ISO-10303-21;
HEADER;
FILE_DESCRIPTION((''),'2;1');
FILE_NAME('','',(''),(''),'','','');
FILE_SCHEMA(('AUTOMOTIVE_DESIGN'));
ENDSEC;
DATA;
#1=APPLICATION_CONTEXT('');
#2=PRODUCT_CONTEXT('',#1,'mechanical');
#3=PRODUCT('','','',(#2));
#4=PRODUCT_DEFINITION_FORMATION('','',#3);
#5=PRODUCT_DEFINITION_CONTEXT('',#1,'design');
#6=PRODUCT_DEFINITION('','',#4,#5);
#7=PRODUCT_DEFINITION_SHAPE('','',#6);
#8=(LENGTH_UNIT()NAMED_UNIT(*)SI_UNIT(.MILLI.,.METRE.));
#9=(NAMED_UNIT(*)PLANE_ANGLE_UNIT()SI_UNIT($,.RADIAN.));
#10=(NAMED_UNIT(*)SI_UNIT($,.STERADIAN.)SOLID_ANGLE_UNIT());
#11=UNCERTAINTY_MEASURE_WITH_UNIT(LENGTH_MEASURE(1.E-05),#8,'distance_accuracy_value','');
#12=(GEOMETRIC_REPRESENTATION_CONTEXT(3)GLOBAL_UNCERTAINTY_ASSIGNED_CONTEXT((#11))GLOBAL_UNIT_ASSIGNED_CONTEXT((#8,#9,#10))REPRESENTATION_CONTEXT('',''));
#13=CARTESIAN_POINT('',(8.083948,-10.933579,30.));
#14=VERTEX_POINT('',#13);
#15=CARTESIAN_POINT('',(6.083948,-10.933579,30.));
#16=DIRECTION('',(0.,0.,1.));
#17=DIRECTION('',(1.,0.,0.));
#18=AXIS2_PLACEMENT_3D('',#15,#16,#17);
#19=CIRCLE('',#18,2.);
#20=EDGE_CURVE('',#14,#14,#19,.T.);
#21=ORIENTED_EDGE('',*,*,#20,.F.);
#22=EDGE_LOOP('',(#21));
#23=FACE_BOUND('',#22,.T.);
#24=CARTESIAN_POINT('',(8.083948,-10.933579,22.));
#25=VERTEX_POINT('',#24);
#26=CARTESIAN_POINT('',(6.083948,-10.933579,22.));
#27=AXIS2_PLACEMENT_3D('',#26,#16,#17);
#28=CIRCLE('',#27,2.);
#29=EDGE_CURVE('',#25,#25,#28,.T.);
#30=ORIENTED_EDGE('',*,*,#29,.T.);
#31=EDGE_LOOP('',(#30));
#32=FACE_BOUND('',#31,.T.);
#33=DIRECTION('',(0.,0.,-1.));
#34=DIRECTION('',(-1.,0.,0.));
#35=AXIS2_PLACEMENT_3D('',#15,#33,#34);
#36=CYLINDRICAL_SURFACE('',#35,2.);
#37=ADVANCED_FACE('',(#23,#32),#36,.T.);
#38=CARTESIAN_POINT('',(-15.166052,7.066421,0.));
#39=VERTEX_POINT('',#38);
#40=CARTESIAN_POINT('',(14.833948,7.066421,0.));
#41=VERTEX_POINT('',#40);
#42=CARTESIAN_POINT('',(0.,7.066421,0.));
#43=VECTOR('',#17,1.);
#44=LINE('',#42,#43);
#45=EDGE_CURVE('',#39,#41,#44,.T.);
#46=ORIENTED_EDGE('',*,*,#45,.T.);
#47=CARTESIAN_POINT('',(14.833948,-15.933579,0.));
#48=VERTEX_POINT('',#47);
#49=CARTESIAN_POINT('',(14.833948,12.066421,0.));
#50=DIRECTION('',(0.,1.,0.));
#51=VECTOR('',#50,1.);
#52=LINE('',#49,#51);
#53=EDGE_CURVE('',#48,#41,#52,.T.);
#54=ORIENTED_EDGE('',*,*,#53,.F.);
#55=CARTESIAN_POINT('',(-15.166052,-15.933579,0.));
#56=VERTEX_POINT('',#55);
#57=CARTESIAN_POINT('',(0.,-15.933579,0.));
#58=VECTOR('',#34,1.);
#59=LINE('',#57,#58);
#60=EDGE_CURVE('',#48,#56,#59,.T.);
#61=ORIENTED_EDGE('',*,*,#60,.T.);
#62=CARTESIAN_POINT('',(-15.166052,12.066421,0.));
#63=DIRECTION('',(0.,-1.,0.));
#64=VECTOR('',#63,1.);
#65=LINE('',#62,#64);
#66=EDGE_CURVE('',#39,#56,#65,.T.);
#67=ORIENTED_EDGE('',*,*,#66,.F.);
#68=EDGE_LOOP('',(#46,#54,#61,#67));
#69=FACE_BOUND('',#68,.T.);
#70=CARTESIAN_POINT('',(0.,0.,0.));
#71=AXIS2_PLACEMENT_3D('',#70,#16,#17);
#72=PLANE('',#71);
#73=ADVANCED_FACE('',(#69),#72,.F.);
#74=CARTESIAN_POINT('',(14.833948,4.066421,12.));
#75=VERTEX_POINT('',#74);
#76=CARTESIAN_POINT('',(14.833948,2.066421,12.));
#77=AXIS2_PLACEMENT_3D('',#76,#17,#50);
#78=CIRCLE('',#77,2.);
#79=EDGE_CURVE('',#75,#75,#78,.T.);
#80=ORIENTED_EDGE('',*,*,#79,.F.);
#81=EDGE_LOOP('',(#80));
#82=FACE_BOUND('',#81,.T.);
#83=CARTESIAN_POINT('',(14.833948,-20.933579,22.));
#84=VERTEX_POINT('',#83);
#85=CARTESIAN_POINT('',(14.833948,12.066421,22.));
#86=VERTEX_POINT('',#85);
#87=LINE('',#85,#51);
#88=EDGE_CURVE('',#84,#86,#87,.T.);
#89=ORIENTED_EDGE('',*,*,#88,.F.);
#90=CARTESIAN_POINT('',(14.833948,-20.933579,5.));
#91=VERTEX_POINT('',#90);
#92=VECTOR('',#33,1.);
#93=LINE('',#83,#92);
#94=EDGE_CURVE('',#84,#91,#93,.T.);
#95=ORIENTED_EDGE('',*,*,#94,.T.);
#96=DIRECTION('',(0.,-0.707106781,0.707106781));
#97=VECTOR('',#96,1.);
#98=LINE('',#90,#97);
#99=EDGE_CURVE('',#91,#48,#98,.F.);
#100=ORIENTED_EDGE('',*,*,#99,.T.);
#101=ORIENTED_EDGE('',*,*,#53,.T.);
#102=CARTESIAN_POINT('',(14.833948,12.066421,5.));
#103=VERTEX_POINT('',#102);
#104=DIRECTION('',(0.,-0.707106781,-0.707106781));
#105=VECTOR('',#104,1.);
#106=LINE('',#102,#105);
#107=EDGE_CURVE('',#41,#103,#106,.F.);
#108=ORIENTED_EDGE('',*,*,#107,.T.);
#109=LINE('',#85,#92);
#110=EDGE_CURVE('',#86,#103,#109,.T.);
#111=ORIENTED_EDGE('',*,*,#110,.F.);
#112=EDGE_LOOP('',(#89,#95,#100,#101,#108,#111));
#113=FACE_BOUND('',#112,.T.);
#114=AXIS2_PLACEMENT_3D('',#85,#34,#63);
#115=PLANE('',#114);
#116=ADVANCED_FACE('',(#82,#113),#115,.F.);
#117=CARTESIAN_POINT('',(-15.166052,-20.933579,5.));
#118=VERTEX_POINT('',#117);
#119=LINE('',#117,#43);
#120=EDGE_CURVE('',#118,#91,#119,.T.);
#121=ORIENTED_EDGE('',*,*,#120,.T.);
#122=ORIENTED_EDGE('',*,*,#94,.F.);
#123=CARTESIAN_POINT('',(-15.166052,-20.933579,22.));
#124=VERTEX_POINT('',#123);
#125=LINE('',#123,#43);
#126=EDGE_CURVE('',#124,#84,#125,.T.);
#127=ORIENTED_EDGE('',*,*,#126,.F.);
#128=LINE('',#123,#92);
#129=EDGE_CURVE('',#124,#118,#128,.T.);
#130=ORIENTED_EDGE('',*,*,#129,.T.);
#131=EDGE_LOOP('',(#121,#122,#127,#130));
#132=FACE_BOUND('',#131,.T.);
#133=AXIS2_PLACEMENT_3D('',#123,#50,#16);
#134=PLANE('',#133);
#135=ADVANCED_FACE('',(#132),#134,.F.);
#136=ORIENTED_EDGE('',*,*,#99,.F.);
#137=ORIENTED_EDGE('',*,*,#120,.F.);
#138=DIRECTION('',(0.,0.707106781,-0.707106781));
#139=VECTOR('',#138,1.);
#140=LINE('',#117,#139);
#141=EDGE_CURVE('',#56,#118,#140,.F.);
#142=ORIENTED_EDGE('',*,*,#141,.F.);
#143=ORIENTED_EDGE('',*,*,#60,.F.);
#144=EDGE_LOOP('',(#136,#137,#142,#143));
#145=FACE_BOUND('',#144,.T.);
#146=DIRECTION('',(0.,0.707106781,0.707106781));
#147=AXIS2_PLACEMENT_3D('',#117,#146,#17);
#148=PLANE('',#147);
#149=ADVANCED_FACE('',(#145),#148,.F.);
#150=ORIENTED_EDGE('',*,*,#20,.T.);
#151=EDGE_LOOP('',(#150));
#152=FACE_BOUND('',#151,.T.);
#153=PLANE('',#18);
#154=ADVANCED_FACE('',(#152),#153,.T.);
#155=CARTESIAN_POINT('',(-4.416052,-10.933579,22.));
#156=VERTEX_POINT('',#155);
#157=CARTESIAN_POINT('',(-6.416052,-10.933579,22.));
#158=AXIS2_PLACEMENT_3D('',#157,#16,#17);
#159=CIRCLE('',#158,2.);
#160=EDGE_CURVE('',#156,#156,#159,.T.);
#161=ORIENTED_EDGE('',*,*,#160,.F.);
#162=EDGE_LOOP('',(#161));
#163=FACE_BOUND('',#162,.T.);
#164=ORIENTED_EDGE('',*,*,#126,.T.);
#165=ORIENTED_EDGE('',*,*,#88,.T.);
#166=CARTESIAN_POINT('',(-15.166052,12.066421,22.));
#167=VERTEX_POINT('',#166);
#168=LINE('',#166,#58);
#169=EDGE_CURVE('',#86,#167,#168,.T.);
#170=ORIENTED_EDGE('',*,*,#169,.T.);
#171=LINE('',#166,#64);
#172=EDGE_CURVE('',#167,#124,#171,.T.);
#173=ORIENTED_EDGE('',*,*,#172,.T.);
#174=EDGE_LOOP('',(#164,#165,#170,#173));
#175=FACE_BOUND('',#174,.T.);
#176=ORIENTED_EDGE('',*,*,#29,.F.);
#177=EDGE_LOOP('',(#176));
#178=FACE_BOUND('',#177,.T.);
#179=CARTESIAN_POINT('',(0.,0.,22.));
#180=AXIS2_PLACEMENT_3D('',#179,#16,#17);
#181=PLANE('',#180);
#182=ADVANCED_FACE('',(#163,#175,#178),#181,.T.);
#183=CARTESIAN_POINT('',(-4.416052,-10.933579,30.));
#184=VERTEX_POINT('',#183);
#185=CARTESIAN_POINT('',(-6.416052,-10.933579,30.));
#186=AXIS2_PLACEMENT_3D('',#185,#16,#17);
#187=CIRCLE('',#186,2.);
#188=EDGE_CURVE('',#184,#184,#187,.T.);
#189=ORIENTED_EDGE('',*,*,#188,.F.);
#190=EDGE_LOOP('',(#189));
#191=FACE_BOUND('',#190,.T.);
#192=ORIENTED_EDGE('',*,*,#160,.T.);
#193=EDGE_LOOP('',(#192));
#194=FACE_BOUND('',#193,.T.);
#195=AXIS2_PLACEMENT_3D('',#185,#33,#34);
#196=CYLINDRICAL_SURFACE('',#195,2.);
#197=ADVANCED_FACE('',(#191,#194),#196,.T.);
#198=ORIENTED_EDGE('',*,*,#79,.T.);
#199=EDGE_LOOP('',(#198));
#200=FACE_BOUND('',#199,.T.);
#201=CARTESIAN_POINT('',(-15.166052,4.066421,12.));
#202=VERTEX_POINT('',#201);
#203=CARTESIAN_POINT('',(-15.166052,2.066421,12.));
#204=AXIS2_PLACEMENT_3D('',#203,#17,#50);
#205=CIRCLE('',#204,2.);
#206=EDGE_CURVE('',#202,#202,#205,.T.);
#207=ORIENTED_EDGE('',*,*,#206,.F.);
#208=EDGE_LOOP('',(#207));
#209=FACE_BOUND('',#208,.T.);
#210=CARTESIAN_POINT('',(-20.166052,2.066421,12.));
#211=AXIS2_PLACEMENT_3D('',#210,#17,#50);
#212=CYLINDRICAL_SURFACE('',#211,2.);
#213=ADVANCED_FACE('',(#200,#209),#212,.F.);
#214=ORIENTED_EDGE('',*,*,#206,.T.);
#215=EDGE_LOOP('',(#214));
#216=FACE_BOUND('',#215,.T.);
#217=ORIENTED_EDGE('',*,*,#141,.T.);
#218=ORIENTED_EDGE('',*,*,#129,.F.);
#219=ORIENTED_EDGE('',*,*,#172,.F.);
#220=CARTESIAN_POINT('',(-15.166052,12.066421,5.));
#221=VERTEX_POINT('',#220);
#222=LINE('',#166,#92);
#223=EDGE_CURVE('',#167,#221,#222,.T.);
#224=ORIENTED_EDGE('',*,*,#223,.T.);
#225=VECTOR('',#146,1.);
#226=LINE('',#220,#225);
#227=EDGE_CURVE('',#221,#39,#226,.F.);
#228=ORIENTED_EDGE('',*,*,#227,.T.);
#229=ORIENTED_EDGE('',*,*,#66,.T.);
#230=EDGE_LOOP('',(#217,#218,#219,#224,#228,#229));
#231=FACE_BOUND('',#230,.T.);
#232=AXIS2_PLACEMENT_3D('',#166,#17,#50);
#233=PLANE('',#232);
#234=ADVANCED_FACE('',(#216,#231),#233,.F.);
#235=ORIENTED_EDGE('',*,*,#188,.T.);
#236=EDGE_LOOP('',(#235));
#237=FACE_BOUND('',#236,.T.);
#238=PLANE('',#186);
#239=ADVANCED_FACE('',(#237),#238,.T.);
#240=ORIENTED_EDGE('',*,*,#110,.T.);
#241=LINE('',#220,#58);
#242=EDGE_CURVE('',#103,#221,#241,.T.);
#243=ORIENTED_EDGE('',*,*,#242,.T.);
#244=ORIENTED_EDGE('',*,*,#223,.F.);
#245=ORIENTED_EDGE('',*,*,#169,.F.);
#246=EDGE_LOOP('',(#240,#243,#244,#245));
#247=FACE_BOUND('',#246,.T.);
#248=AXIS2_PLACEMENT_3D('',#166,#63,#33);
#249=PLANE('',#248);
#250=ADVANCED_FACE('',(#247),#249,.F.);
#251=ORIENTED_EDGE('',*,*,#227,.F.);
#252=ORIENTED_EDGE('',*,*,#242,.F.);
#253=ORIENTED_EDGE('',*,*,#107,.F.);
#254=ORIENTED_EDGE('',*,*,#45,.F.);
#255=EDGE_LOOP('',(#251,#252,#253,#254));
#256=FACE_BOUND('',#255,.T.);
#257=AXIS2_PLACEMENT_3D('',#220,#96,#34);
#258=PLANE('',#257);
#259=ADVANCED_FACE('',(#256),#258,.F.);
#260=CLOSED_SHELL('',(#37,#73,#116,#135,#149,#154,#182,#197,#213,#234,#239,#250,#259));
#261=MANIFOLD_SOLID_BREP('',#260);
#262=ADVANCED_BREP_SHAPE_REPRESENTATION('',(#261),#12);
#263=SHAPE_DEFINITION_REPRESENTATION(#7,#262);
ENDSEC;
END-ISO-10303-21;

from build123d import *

# Parameters (mm, degrees)
CROQUIS1_W              = 30
CROQUIS1_H              = 33
SALIENTE_EXTRUIR1_DEPTH = 22
CROQUIS2_R              = 2
SALIENTE_EXTRUIR2_DEPTH = 8
CHAFL_N1_SIZE           = 5
CHAFL_N2_SIZE           = 5
CROQUIS3_R              = 2
CORTAR_EXTRUIR1_DEPTH   = 35


with BuildPart() as part:
    # Croquis1 → Saliente-Extruir1 (new body)
    with BuildSketch(Plane.XY):
        with Locations((-0.166051661, -4.433579336)):
            Rectangle(CROQUIS1_W, CROQUIS1_H)
    extrude(amount=SALIENTE_EXTRUIR1_DEPTH)

    # Croquis2 → Saliente-Extruir2 (add)
    with BuildSketch(Plane.XY.offset(22)):
        with Locations((-6.416051661, -10.933579336)):
            Circle(CROQUIS2_R)
        with Locations((6.083948339, -10.933579336)):
            Circle(CROQUIS2_R)
    extrude(amount=SALIENTE_EXTRUIR2_DEPTH)

    # Chaflán1
    chafl_n1_edges = [part.edges().sort_by_distance(p)[0] for p in [
        (-0.166051661, 12.066420664, 0),
    ]]
    chamfer(chafl_n1_edges, length=CHAFL_N1_SIZE)

    # Chaflán2
    chafl_n2_edges = [part.edges().sort_by_distance(p)[0] for p in [
        (-0.166051661, -20.933579336, 0),
    ]]
    chamfer(chafl_n2_edges, length=CHAFL_N2_SIZE)

    # Croquis3 → Cortar-Extruir1 (cut)
    with BuildSketch(Plane(origin=(14.833948339, 0, 0), x_dir=(0, 0, -1), z_dir=(1, 0, 0))):
        with Locations(Location((-12, 2.066420664, 0), (0, 0, 90))):
            Circle(CROQUIS3_R)
    extrude(amount=-CORTAR_EXTRUIR1_DEPTH, mode=Mode.SUBTRACT)


solid = part.part
